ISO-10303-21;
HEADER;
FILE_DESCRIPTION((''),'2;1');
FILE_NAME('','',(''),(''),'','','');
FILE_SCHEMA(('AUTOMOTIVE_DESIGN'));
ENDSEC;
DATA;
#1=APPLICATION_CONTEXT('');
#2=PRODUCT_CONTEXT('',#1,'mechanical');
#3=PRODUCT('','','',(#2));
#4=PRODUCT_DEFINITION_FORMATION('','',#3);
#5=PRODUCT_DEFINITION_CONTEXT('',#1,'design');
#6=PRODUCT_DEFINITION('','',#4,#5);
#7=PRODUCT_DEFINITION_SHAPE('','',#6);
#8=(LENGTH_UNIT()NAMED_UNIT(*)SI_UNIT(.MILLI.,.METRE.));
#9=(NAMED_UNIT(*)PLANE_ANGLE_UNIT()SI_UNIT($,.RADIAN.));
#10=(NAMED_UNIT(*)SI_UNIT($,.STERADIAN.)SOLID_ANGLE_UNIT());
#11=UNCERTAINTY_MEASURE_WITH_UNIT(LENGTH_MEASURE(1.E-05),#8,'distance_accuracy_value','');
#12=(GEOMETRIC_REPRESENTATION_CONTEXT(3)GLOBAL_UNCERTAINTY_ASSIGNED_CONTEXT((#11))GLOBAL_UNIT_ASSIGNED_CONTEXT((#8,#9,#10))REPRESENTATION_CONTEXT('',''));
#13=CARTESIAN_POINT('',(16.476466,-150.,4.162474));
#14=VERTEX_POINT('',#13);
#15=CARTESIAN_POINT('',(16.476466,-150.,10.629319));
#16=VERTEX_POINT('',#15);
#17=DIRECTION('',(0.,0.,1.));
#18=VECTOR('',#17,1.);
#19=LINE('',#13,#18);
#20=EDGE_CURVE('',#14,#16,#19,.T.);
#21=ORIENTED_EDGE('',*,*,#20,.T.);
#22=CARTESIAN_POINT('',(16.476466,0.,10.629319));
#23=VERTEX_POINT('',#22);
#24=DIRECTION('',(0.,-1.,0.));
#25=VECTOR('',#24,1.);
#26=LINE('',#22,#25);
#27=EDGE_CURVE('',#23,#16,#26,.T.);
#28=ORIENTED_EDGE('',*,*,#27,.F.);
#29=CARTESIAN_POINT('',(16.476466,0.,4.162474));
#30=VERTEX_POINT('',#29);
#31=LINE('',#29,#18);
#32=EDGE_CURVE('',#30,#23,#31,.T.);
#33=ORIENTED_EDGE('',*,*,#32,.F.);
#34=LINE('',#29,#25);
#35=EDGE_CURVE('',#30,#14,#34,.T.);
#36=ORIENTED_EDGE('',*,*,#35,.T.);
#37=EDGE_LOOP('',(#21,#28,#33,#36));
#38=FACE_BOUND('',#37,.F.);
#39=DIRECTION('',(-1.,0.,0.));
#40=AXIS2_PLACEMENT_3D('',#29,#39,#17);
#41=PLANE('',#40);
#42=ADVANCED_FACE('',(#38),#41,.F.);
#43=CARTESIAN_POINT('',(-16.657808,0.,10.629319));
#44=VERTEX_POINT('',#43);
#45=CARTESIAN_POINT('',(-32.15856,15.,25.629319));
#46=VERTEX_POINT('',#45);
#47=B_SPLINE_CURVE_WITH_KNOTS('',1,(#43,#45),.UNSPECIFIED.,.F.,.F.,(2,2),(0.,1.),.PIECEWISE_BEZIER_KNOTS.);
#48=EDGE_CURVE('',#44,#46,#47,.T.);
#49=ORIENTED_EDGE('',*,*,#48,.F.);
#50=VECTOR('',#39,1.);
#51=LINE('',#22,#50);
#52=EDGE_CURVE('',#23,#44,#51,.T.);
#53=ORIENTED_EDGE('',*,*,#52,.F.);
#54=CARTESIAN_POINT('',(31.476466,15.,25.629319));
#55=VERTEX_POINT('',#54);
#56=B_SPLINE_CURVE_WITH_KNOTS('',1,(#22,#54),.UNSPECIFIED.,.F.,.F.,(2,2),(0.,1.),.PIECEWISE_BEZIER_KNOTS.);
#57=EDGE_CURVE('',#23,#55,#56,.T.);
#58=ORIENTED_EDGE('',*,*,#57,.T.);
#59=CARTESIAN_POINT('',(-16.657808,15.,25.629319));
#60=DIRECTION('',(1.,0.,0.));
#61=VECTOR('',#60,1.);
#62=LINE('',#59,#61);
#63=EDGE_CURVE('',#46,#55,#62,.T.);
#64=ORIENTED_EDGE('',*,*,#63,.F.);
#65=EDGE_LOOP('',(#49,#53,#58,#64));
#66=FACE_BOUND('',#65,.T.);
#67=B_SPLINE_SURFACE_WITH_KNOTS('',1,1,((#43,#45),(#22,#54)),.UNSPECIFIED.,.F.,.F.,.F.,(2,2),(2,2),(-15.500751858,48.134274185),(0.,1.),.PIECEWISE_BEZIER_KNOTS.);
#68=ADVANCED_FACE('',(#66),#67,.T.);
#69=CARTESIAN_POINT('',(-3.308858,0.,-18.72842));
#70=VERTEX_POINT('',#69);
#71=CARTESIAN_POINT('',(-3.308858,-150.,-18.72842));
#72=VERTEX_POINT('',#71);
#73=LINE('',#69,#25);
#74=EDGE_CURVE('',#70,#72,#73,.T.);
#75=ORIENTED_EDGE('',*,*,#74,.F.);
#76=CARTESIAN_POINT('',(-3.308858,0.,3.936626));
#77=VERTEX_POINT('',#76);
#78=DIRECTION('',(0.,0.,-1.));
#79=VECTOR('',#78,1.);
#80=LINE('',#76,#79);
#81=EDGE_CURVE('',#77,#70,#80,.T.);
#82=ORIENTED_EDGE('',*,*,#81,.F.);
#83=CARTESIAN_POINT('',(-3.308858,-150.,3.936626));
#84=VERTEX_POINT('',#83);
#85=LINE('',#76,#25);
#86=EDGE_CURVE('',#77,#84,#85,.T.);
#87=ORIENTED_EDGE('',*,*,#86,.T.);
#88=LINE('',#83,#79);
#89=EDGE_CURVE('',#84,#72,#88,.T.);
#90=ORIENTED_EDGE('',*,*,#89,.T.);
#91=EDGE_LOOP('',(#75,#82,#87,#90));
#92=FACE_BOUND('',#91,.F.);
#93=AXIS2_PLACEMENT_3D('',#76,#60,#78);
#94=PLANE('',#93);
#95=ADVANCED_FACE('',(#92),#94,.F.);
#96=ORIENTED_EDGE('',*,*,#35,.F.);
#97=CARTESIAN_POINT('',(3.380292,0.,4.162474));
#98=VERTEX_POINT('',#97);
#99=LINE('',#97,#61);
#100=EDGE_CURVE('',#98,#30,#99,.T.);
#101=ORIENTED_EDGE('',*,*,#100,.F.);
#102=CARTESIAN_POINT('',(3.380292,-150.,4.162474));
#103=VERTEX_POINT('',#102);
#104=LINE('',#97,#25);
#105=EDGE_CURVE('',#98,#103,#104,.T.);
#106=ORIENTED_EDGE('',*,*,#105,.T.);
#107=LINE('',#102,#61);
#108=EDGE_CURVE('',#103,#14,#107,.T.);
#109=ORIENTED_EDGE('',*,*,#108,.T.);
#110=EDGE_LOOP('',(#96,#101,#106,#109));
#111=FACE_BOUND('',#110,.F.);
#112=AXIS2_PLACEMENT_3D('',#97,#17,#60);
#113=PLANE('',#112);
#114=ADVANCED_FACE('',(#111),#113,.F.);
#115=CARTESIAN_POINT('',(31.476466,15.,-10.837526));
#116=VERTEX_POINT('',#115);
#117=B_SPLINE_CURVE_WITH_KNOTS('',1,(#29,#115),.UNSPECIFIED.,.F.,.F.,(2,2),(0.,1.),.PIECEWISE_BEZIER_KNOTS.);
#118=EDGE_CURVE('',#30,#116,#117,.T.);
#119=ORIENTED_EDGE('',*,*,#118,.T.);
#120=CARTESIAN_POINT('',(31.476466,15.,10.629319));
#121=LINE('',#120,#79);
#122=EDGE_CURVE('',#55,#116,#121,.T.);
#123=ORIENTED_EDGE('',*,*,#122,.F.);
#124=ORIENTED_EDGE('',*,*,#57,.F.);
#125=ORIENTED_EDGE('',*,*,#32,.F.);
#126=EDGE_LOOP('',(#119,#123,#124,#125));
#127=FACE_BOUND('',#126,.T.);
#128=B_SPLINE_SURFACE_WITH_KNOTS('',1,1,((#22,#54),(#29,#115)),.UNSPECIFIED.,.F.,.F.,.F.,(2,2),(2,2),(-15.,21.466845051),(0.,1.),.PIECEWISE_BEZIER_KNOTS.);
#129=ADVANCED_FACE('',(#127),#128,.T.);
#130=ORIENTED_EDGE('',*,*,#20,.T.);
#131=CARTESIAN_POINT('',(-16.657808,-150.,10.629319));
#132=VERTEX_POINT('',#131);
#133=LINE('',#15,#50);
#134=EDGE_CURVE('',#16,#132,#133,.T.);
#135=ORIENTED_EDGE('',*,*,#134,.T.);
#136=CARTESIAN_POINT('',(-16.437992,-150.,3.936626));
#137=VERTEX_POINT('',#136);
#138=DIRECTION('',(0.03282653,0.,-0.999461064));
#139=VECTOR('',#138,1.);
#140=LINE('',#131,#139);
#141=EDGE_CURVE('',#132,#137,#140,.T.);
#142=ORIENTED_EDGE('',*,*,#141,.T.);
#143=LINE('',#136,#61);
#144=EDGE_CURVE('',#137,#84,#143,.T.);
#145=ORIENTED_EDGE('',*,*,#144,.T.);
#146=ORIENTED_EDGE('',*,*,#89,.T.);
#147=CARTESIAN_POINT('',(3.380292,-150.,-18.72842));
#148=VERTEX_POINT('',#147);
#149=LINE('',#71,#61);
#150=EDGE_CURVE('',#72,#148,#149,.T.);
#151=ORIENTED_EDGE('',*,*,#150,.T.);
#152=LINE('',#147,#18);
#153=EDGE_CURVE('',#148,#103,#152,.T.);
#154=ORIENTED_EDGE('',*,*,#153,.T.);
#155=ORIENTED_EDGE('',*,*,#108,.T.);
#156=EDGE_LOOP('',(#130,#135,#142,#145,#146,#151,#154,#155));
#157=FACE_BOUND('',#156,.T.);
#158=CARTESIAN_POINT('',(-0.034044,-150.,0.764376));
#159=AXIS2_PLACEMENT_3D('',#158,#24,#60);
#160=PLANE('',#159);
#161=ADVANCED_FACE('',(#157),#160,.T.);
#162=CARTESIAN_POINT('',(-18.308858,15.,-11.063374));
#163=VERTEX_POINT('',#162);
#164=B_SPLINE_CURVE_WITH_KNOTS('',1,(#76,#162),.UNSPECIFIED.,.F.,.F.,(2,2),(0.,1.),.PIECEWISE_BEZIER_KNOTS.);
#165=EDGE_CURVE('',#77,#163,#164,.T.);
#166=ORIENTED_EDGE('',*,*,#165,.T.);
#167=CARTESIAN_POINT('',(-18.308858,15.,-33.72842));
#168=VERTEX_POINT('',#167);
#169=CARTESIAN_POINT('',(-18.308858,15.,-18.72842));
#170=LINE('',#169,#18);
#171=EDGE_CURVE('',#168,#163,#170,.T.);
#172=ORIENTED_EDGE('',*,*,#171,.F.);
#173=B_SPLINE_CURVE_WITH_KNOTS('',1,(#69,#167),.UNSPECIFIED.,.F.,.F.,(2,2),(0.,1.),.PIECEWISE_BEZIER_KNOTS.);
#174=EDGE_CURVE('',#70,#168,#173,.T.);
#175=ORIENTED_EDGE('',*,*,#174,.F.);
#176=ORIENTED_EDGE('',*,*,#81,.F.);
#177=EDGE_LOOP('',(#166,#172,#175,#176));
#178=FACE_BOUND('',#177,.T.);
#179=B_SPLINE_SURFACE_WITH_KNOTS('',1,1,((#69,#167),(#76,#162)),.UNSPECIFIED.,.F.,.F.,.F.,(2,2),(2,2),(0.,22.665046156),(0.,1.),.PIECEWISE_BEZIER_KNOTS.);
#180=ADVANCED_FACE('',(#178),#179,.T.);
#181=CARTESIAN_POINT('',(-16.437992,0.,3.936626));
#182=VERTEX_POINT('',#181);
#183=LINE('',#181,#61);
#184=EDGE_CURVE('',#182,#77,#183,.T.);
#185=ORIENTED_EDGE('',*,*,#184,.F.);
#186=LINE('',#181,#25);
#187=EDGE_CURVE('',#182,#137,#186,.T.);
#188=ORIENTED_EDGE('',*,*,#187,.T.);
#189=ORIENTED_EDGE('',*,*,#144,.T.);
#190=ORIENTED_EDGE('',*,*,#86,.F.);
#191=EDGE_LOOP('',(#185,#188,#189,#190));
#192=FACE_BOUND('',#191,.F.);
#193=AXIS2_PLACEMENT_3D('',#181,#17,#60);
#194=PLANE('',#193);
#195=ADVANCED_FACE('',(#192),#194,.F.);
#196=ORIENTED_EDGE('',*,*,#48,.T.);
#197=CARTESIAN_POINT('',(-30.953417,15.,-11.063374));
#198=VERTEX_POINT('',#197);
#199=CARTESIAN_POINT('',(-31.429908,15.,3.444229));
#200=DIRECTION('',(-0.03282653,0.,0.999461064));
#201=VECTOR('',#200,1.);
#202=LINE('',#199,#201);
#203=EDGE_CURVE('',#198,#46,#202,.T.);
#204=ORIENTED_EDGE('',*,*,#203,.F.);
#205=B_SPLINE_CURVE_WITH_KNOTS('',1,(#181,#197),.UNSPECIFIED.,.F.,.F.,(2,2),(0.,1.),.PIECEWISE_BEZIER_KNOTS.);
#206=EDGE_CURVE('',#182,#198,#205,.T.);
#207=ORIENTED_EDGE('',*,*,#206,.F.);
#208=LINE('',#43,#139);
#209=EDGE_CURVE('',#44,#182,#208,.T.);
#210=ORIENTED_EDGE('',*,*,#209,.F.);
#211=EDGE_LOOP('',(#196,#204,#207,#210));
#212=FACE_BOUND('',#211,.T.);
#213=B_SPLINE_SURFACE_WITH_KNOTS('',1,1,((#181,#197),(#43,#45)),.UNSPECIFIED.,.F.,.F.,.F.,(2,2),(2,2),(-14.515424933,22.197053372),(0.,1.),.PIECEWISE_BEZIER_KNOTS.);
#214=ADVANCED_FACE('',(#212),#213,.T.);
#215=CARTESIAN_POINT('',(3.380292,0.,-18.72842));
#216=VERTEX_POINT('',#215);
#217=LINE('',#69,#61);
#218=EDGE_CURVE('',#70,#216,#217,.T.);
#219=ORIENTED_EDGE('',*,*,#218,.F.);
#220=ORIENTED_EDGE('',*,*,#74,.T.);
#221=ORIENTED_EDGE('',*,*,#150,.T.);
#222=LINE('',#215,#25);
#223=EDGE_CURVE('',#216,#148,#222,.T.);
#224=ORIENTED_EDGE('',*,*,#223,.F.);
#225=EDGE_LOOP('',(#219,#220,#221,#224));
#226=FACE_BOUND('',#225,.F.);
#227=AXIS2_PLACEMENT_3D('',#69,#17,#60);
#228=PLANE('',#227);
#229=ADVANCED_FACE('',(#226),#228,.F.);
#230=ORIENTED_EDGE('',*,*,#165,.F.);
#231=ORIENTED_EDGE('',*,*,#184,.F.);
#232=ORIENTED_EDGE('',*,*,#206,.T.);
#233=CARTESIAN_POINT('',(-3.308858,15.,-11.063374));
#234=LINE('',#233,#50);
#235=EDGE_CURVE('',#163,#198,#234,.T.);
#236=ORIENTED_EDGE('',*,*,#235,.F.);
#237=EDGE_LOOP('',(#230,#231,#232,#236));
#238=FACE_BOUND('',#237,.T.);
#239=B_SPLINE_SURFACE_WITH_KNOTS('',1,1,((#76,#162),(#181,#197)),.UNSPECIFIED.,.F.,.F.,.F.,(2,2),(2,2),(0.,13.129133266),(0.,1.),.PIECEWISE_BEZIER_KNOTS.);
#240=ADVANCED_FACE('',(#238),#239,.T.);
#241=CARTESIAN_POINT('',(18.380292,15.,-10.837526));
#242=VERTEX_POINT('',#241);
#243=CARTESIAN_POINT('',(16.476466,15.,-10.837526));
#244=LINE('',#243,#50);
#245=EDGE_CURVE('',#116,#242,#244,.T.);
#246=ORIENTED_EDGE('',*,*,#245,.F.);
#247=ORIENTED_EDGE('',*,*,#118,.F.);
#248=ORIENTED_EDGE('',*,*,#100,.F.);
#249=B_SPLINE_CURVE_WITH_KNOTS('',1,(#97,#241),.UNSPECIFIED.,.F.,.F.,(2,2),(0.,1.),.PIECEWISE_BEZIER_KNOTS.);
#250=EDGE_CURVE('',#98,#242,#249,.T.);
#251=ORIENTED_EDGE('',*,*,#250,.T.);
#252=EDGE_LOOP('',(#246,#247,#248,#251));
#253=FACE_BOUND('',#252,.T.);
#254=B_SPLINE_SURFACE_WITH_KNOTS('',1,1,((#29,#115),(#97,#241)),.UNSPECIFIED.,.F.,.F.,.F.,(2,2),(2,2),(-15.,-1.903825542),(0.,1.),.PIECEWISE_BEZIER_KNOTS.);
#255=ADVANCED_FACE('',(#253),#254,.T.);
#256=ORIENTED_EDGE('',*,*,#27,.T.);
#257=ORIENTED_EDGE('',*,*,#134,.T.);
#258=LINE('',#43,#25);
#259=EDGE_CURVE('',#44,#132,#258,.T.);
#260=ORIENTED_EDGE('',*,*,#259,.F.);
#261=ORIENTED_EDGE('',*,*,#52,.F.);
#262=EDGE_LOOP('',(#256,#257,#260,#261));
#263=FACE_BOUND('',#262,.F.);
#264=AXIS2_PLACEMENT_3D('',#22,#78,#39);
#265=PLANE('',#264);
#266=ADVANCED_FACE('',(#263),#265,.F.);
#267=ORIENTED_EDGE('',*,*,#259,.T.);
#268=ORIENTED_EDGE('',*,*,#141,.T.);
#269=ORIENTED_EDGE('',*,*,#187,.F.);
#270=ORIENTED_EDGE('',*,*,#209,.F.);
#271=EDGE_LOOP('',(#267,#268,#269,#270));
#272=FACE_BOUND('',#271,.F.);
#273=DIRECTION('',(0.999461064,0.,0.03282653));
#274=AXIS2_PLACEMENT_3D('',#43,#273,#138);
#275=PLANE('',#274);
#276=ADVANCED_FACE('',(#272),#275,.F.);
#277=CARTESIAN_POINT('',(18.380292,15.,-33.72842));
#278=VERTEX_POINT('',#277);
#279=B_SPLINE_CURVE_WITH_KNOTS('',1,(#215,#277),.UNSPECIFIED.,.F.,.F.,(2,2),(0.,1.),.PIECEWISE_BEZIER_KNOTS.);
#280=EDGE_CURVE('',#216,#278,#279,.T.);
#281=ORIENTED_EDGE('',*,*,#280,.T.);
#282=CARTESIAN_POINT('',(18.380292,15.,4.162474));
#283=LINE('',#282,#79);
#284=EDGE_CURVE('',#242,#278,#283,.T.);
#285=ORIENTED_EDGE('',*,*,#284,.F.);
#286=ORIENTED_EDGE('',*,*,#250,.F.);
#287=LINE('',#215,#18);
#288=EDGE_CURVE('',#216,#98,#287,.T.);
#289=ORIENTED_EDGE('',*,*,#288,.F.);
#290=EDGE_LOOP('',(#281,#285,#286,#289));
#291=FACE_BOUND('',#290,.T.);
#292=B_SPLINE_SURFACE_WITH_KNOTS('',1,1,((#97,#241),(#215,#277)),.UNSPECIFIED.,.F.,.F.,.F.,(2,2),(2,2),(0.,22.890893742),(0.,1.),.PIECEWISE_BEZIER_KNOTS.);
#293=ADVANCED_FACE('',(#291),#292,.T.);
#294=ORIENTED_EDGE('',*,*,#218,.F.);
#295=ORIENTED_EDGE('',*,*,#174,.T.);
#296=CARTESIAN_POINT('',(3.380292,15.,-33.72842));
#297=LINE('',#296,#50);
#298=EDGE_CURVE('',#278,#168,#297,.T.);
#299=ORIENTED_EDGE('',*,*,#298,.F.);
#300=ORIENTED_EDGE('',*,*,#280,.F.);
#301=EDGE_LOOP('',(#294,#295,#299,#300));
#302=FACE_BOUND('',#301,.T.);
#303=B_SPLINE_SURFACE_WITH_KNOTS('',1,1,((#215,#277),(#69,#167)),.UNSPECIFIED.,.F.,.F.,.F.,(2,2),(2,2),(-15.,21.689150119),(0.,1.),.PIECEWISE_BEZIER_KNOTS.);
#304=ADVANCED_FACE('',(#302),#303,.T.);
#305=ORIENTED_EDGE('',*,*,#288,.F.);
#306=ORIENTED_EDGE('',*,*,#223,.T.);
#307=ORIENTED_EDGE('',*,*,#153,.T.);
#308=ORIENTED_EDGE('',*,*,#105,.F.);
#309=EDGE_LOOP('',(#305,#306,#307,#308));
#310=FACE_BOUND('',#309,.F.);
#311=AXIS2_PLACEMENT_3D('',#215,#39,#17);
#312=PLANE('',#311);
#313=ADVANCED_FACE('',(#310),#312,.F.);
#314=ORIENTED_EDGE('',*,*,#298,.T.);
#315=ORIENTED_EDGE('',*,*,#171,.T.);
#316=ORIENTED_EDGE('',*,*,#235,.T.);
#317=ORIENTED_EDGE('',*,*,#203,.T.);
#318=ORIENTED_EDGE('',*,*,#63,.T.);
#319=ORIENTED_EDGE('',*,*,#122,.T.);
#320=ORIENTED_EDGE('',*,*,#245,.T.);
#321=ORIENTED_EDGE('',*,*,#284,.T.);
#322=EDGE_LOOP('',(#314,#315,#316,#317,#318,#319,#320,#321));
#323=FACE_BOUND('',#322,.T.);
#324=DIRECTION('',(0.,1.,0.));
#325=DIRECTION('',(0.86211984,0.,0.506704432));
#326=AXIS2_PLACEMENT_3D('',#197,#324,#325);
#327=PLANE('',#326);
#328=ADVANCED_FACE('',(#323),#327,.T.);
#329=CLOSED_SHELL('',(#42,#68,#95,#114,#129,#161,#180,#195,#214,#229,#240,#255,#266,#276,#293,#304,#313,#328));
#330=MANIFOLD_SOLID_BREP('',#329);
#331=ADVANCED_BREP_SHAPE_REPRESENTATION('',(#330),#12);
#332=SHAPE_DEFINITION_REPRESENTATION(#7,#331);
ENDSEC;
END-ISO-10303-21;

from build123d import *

# Parameters (mm, degrees)
F1_DEPTH = 150
F3_DEPTH = 15
F3_TAPER = -45


with BuildPart() as f1:
    # F0 (on Front) → F1 (new body)
    with BuildSketch(Plane.XZ):
        Polygon((16.4764662622, 10.6293191202), (-16.6578079225, 10.6293191202), (-16.4379915805, 3.9366264828), (-3.308858315, 3.9366264828), (-3.308858315, -18.7284196727), (3.3802918042, -18.7284196727), (3.3802918042, 4.1624740697), (16.4764662622, 4.1624740697), align=None)
    extrude(amount=F1_DEPTH)

    # F2 (on face) → F3 (join)
    with BuildSketch(Plane(origin=(0, 0, 0), x_dir=(-1, 0, 0), z_dir=(0, 1, 0))):
        Polygon((16.4379915805, 3.9366264828), (16.6578079225, 10.6293191202), (-16.4764662622, 10.6293191202), (-16.4764662622, 4.1624740697), (-3.3802918042, 4.1624740697), (-3.3802918042, -18.7284196727), (3.308858315, -18.7284196727), (3.308858315, 3.9366264828), align=None)
    extrude(amount=F3_DEPTH, taper=F3_TAPER)


solid = f1.part
